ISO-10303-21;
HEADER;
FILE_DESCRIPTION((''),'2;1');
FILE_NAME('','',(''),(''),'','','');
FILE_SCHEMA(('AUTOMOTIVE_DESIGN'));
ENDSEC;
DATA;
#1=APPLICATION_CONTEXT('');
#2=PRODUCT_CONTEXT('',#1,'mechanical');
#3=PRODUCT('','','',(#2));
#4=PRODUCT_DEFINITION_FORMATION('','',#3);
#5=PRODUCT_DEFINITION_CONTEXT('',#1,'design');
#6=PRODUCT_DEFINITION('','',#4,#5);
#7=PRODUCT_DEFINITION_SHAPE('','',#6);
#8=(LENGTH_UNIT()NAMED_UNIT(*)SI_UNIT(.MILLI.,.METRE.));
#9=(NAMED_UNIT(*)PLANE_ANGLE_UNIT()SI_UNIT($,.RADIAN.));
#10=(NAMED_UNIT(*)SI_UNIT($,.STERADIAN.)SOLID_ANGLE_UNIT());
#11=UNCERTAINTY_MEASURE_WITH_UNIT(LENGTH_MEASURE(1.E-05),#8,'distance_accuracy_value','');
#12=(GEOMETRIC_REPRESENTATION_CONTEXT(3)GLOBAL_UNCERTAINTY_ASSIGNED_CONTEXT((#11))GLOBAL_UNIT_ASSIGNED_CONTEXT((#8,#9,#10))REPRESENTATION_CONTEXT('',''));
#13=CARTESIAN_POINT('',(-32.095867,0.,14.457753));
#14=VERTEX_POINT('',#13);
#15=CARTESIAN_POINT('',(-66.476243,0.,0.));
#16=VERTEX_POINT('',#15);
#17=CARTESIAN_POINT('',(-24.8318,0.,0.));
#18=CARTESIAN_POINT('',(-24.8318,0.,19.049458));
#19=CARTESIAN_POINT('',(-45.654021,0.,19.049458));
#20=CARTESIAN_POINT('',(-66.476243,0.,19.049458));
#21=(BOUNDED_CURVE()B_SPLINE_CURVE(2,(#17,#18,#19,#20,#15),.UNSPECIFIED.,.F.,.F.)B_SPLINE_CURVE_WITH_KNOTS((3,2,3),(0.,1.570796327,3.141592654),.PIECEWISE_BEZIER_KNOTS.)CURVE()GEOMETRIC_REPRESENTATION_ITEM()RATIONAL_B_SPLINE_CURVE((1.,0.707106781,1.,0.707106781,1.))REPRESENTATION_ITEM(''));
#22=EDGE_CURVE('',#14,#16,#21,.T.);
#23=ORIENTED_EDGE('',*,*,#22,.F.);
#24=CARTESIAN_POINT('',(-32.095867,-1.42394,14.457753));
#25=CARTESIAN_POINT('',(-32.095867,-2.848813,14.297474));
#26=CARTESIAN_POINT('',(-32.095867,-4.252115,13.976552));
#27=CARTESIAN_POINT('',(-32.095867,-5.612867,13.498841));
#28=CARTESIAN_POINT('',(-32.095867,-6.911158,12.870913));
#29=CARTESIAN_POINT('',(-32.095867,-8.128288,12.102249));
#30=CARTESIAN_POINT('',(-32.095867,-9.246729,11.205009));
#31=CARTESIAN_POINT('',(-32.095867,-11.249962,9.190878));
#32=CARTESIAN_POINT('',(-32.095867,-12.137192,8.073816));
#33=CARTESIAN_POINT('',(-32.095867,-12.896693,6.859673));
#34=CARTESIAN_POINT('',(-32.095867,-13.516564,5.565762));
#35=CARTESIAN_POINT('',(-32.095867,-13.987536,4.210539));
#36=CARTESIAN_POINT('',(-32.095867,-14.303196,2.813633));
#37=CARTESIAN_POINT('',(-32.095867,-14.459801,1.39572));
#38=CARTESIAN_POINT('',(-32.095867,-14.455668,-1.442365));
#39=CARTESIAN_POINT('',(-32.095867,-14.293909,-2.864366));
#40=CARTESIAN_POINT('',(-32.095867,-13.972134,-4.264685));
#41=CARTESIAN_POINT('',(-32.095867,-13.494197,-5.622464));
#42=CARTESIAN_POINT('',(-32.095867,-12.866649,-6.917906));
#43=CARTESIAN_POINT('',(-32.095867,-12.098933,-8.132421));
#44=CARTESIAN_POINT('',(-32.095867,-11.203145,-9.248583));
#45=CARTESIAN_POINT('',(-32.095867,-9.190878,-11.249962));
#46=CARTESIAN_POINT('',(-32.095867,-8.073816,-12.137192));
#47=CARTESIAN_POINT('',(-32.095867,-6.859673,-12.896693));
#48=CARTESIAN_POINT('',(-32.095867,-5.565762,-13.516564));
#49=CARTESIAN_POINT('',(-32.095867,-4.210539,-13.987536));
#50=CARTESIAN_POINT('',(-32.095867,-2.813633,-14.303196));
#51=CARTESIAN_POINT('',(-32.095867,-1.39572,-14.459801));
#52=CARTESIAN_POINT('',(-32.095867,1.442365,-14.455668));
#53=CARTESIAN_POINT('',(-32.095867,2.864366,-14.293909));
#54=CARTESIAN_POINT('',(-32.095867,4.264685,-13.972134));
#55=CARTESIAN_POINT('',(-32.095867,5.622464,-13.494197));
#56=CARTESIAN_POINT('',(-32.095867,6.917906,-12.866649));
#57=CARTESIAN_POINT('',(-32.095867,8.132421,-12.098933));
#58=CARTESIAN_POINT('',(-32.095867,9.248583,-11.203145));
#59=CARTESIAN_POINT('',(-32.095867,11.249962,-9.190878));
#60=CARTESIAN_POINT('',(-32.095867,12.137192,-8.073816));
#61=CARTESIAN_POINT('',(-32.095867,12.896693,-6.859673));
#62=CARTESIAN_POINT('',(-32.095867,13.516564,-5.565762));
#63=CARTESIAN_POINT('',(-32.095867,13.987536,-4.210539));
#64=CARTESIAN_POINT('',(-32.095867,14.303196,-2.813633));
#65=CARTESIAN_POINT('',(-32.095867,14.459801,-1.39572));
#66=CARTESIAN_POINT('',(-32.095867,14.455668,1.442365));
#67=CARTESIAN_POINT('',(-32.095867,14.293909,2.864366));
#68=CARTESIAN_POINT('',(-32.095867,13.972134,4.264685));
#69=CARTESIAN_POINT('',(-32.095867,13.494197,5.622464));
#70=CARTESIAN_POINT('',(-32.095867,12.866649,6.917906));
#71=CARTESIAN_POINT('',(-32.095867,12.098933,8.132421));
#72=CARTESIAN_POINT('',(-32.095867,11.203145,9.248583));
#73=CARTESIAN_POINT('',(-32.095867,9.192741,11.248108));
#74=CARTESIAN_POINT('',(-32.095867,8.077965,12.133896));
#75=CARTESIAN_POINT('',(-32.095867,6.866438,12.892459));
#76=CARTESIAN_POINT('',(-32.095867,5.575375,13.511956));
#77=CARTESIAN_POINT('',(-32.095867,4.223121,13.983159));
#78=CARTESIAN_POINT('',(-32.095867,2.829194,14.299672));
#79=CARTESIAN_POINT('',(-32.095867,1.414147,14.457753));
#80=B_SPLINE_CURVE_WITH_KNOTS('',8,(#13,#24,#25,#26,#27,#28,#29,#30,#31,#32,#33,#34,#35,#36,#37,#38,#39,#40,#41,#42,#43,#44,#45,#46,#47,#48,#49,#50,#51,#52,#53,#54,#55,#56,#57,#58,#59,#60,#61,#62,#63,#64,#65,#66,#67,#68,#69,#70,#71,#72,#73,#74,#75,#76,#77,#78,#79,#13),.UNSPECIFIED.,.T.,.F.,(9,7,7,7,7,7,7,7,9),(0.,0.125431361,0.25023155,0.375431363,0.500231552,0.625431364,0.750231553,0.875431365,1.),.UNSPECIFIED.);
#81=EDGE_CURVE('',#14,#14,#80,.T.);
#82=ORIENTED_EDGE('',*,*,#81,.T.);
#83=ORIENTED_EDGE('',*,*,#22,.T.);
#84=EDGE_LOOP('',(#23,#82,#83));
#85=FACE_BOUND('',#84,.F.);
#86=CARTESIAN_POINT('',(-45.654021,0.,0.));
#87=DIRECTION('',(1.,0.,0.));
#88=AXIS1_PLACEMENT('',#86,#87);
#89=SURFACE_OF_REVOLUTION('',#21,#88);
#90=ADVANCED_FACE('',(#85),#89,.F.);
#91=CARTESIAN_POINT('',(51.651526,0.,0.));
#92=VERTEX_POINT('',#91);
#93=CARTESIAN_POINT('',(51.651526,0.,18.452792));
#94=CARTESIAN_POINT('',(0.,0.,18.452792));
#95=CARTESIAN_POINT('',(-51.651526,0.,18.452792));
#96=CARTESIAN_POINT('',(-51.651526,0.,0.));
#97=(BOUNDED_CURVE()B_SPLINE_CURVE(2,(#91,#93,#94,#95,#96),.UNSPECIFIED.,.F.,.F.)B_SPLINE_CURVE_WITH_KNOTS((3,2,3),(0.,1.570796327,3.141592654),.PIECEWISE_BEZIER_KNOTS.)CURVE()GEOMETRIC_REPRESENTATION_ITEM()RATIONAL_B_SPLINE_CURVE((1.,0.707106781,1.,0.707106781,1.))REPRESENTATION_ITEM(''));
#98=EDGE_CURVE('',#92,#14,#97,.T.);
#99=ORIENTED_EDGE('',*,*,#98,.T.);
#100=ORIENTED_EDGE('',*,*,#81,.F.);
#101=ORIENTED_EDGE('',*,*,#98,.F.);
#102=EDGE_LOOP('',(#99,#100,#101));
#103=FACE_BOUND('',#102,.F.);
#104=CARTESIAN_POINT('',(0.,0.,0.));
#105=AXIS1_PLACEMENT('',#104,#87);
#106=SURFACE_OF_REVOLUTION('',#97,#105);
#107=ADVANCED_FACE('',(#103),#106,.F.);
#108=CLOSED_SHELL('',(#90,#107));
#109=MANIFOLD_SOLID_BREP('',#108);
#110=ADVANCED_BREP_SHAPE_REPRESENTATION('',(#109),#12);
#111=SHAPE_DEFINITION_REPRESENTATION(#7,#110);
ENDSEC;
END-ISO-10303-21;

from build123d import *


with BuildPart() as f1:
    # F0 (on Front) → F1 (revolve)
    with BuildSketch(Plane.XZ):
        with BuildLine():
            Line((-51.6515262425, 0), (51.6515262425, 0))
            add(Edge.make_bspline(
                [(51.6515262425, 0), (51.6515262425, 18.4527915912), (0, 18.4527915912), (-51.6515262425, 18.4527915912), (-51.6515262425, 0)],
                knots=[0, 0, 0, 1.5707963268, 1.5707963268, 3.1415926536, 3.1415926536, 3.1415926536], degree=2, weights=[1, 0.7071067812, 1, 0.7071067812, 1]))
        make_face()
    revolve(axis=Axis((0, 0, 0), (1, 0, 0)))

    # F2 (on Front) → F3 (revolve)
    with BuildSketch(Plane.XZ):
        with BuildLine():
            Line((-66.4762426168, 0), (-24.8317997903, 0))
            add(Edge.make_bspline(
                [(-24.8317997903, 0), (-24.8317997903, 19.0494579272), (-45.6540212035, 19.0494579272), (-66.4762426168, 19.0494579272), (-66.4762426168, 0)],
                knots=[0, 0, 0, 1.5707963268, 1.5707963268, 3.1415926536, 3.1415926536, 3.1415926536], degree=2, weights=[1, 0.7071067812, 1, 0.7071067812, 1]))
        make_face()
    revolve(axis=Axis((-45.6540212035, 0, 0), (1, 0, 0)))


solid = f1.part
